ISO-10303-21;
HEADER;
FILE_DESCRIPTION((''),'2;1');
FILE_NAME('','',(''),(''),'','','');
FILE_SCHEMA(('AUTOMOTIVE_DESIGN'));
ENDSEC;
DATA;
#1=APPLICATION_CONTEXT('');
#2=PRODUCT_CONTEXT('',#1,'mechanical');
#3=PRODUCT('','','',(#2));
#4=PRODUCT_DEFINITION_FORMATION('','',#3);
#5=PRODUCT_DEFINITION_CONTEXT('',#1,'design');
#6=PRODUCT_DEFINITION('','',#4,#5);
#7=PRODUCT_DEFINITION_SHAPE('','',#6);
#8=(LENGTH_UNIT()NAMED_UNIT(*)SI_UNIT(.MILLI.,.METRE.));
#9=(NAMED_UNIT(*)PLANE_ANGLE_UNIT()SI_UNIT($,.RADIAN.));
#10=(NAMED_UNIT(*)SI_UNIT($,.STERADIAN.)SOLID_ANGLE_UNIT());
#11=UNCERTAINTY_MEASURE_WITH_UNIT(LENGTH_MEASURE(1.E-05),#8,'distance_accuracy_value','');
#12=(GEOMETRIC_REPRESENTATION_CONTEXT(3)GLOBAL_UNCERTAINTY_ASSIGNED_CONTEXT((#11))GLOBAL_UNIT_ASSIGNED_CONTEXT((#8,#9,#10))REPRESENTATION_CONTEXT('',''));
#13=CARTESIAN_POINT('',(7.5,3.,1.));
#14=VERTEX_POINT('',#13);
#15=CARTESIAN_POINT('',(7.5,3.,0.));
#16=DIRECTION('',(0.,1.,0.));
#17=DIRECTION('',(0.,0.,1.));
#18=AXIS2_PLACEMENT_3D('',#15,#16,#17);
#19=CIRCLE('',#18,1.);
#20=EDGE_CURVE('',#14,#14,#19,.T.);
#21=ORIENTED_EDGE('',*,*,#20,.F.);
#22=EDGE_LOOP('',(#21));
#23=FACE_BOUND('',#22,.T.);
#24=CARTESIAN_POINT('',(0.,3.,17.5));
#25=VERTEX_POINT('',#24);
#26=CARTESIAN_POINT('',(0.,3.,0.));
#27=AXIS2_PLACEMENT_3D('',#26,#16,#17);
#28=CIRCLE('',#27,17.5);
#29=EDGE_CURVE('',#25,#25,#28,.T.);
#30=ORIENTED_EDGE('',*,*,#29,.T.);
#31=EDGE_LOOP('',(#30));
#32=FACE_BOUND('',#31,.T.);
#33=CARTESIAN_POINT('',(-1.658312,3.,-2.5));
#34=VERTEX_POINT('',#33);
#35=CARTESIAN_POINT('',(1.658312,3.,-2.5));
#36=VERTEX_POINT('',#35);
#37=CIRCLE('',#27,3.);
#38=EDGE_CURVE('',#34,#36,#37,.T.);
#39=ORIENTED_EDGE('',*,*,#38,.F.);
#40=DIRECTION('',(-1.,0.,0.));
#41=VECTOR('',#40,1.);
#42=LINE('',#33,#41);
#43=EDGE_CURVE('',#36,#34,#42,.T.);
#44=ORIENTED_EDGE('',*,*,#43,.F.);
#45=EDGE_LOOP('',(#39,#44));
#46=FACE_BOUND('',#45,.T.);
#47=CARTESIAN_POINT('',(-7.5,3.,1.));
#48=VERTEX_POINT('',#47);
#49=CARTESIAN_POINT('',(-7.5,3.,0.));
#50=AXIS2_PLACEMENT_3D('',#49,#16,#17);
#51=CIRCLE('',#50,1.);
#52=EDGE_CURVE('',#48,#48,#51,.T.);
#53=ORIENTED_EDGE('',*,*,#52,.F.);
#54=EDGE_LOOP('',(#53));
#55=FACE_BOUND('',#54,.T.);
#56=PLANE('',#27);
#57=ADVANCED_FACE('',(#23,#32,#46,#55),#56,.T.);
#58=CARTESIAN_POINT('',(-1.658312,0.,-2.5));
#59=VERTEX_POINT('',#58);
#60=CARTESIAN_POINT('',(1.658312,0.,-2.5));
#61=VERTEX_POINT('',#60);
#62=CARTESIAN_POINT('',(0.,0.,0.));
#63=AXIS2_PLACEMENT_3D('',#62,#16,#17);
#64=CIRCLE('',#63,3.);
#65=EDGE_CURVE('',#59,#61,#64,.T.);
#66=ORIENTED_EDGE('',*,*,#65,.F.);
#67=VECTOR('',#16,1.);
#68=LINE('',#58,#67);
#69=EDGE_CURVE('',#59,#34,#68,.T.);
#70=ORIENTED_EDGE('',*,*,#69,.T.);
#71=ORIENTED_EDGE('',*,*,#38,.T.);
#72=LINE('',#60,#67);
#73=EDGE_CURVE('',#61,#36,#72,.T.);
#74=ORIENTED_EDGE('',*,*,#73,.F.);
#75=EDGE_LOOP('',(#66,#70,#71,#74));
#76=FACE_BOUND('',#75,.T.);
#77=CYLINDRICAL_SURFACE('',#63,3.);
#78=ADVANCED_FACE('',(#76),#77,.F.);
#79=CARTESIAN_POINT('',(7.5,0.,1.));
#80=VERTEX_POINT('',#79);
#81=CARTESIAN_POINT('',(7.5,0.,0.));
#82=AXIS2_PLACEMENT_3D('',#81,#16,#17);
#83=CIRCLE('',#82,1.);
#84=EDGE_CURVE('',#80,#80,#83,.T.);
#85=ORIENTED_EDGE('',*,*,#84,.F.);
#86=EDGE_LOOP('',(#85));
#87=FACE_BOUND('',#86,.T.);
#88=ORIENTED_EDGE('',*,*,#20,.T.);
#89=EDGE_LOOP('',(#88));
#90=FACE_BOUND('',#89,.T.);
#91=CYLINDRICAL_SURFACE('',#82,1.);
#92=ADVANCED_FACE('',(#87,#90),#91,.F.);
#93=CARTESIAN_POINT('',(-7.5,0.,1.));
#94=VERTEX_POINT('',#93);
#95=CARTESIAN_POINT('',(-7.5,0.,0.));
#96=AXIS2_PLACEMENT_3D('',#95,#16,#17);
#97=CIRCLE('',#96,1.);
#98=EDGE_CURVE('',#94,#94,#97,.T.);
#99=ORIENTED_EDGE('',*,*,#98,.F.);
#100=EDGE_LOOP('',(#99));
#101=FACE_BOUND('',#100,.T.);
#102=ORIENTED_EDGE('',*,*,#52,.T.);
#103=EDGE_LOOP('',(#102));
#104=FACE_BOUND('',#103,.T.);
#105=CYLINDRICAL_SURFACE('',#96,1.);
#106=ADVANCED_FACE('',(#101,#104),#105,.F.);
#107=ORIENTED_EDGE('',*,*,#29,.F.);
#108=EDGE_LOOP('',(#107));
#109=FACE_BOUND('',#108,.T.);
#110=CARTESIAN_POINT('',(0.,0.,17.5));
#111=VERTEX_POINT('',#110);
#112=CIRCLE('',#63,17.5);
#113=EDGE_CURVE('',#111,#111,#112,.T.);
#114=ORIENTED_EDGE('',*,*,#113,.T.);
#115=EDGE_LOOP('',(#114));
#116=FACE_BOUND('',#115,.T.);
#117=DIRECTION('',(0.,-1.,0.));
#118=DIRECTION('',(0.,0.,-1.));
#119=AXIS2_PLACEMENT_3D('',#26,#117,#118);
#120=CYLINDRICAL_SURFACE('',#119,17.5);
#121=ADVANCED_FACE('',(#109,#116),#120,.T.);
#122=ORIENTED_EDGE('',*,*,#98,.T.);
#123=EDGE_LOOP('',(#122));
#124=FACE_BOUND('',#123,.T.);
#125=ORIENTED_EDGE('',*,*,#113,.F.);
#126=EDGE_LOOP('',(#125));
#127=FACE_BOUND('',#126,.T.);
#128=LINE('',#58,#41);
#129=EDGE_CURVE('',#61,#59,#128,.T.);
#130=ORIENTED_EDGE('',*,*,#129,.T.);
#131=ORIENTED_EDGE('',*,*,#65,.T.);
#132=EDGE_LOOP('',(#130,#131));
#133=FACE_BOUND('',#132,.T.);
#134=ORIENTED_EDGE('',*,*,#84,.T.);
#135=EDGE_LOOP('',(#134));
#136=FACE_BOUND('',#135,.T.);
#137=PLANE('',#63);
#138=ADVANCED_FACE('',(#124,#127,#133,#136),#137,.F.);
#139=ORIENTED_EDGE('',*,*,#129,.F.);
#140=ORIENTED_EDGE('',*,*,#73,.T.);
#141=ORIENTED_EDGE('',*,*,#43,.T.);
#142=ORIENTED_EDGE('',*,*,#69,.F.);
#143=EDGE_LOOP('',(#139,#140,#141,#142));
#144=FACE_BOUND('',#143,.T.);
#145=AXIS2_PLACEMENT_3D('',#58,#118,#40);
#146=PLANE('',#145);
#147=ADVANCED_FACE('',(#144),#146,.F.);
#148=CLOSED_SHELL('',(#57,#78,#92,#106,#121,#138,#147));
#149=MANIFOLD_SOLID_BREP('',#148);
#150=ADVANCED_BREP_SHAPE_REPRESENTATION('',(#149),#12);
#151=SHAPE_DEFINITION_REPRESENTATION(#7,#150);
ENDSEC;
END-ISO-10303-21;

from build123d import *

# Parameters (mm, degrees)
SKIZZE1_R                       = 17.5
AUFSATZ_LINEAR_AUSTRAGEN1_DEPTH = 3
SKIZZE2_R                       = 1
SCHNITT_LINEAR_AUSTRAGEN1_DEPTH = 25.929901725


with BuildPart() as part:
    # Skizze1 → Aufsatz-Linear austragen1 (new body)
    with BuildSketch(Plane(origin=(0, 0, 0), x_dir=(1, 0, 0), z_dir=(0, 1, 0))):
        with Locations(Location((0, 0, 0), (0, 0, 270))):
            Circle(SKIZZE1_R)
    extrude(amount=AUFSATZ_LINEAR_AUSTRAGEN1_DEPTH)

    # Skizze2 → Schnitt-Linear austragen1 (cut, through all)
    with BuildSketch(Plane(origin=(0, 3, 0), x_dir=(1, 0, 0), z_dir=(0, 1, 0))):
        with Locations(Location((-7.5, 0, 0), (0, 0, 270))):
            Circle(SKIZZE2_R)
        with Locations(Location((7.5, 0, 0), (0, 0, 270))):
            Circle(SKIZZE2_R)
        with BuildLine():
            Line((-1.658312395, 2.5), (1.658312395, 2.5))
            ThreePointArc((1.658312395, 2.5), (0, -3), (-1.658312395, 2.5))
        make_face()
    extrude(amount=-SCHNITT_LINEAR_AUSTRAGEN1_DEPTH, mode=Mode.SUBTRACT)


solid = part.part
